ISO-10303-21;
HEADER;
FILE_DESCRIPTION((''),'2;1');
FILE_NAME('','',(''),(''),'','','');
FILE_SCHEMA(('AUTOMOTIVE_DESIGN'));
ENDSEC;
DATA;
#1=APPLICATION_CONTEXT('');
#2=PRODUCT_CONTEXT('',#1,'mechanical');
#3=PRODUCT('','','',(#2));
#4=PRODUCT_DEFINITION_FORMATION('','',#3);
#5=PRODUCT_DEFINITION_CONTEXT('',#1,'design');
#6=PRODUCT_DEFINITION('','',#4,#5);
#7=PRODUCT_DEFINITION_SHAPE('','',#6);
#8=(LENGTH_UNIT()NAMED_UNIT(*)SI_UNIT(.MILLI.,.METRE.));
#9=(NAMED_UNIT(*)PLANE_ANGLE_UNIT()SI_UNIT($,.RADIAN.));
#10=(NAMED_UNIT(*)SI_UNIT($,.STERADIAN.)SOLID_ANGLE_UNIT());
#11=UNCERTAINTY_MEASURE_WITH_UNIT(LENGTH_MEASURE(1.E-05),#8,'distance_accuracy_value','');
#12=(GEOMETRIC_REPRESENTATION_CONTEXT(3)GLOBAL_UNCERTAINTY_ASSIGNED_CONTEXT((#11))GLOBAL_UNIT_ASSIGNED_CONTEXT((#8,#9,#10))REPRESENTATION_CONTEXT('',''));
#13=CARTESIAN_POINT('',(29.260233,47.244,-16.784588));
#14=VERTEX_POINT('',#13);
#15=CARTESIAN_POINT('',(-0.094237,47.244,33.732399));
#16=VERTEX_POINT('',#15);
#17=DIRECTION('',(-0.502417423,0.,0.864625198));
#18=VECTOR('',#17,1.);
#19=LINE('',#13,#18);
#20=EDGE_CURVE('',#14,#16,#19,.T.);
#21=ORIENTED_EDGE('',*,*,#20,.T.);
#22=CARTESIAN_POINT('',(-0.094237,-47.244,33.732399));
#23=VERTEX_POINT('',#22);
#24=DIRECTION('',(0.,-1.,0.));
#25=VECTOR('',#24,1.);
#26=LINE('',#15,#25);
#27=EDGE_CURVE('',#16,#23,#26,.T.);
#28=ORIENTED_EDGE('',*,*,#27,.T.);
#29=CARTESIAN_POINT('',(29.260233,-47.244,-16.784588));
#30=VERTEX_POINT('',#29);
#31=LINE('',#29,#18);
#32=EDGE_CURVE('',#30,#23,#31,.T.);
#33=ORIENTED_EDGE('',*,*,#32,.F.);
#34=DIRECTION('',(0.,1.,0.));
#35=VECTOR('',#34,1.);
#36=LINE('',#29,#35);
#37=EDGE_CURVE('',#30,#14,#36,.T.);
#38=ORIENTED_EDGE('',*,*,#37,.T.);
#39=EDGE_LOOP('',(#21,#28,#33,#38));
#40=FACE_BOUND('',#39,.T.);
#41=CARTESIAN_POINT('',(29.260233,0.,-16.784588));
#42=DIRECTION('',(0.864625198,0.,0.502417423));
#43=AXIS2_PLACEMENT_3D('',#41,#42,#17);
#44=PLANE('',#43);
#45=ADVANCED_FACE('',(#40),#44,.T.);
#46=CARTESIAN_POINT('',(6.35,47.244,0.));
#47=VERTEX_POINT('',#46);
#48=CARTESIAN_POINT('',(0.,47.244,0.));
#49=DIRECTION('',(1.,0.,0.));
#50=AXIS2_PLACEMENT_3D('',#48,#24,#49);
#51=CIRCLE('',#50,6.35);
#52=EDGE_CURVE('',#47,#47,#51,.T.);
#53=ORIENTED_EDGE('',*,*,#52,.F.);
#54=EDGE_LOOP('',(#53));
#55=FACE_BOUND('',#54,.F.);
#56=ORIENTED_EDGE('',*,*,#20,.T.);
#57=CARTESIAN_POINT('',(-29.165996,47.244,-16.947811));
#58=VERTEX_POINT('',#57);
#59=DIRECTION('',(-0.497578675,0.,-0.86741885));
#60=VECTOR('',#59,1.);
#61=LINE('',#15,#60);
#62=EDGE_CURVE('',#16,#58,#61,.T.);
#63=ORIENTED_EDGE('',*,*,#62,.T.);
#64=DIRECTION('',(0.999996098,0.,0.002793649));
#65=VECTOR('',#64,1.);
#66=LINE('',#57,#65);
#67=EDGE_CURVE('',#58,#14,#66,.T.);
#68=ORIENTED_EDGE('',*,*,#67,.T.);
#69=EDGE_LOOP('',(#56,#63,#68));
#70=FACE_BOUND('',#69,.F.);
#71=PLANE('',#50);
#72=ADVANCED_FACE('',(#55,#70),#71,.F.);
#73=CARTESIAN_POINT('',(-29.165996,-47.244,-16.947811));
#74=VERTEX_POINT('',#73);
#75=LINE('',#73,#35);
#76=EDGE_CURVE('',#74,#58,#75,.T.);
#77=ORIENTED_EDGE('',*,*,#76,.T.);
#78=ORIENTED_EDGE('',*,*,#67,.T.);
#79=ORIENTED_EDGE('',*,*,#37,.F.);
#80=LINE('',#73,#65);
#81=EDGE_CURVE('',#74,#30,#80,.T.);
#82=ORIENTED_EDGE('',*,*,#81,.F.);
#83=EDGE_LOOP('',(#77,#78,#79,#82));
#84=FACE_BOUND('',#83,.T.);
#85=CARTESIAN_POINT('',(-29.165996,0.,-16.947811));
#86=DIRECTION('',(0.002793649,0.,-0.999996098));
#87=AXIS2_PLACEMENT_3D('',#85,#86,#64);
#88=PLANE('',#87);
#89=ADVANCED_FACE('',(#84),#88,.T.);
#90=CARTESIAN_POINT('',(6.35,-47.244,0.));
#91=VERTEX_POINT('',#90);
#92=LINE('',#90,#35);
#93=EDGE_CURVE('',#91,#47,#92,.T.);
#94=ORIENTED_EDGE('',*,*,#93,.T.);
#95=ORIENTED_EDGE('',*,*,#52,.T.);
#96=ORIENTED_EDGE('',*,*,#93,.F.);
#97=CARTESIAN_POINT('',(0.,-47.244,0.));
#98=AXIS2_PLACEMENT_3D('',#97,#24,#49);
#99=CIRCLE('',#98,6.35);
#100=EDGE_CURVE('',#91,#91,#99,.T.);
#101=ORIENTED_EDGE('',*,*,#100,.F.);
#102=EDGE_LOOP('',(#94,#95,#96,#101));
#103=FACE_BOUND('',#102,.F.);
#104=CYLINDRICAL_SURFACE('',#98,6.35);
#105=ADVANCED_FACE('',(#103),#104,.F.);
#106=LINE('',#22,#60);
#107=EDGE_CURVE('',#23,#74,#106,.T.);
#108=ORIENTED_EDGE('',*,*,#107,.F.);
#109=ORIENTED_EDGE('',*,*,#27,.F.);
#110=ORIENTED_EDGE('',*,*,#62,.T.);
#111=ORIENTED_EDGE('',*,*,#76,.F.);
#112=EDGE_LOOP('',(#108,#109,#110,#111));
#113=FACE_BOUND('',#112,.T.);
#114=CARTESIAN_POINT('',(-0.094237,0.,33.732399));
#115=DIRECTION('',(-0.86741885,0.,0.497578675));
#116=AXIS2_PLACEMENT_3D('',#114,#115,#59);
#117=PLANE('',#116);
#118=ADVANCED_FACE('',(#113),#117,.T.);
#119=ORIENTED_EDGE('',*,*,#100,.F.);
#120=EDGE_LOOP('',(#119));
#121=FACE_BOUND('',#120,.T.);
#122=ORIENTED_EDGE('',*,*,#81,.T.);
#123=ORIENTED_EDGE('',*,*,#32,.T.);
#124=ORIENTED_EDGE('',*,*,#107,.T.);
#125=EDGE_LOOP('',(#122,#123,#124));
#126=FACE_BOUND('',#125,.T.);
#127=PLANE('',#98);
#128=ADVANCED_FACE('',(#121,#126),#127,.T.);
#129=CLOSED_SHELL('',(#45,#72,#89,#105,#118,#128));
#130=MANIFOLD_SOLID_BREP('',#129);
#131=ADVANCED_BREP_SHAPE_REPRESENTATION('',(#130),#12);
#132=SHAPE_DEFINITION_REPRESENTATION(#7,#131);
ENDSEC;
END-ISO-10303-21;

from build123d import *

# Parameters (mm, degrees)
F1_DEPTH = 47.244
F2_R     = 6.35
F3_DEPTH = 94.489


with BuildPart() as f1:
    # F0 (on Front) → F1 (new body, symmetric)
    with BuildSketch(Plane.XZ):
        Polygon((29.260233, -16.784588), (-0.094237, 33.732399), (-29.165996, -16.947811), align=None)
    extrude(amount=F1_DEPTH, both=True)

    # F2 (on face) → F3 (cut, through all)
    with BuildSketch(Plane.XZ.offset(47.244)):
        Circle(F2_R)
    extrude(amount=-F3_DEPTH, mode=Mode.SUBTRACT)


solid = f1.part
